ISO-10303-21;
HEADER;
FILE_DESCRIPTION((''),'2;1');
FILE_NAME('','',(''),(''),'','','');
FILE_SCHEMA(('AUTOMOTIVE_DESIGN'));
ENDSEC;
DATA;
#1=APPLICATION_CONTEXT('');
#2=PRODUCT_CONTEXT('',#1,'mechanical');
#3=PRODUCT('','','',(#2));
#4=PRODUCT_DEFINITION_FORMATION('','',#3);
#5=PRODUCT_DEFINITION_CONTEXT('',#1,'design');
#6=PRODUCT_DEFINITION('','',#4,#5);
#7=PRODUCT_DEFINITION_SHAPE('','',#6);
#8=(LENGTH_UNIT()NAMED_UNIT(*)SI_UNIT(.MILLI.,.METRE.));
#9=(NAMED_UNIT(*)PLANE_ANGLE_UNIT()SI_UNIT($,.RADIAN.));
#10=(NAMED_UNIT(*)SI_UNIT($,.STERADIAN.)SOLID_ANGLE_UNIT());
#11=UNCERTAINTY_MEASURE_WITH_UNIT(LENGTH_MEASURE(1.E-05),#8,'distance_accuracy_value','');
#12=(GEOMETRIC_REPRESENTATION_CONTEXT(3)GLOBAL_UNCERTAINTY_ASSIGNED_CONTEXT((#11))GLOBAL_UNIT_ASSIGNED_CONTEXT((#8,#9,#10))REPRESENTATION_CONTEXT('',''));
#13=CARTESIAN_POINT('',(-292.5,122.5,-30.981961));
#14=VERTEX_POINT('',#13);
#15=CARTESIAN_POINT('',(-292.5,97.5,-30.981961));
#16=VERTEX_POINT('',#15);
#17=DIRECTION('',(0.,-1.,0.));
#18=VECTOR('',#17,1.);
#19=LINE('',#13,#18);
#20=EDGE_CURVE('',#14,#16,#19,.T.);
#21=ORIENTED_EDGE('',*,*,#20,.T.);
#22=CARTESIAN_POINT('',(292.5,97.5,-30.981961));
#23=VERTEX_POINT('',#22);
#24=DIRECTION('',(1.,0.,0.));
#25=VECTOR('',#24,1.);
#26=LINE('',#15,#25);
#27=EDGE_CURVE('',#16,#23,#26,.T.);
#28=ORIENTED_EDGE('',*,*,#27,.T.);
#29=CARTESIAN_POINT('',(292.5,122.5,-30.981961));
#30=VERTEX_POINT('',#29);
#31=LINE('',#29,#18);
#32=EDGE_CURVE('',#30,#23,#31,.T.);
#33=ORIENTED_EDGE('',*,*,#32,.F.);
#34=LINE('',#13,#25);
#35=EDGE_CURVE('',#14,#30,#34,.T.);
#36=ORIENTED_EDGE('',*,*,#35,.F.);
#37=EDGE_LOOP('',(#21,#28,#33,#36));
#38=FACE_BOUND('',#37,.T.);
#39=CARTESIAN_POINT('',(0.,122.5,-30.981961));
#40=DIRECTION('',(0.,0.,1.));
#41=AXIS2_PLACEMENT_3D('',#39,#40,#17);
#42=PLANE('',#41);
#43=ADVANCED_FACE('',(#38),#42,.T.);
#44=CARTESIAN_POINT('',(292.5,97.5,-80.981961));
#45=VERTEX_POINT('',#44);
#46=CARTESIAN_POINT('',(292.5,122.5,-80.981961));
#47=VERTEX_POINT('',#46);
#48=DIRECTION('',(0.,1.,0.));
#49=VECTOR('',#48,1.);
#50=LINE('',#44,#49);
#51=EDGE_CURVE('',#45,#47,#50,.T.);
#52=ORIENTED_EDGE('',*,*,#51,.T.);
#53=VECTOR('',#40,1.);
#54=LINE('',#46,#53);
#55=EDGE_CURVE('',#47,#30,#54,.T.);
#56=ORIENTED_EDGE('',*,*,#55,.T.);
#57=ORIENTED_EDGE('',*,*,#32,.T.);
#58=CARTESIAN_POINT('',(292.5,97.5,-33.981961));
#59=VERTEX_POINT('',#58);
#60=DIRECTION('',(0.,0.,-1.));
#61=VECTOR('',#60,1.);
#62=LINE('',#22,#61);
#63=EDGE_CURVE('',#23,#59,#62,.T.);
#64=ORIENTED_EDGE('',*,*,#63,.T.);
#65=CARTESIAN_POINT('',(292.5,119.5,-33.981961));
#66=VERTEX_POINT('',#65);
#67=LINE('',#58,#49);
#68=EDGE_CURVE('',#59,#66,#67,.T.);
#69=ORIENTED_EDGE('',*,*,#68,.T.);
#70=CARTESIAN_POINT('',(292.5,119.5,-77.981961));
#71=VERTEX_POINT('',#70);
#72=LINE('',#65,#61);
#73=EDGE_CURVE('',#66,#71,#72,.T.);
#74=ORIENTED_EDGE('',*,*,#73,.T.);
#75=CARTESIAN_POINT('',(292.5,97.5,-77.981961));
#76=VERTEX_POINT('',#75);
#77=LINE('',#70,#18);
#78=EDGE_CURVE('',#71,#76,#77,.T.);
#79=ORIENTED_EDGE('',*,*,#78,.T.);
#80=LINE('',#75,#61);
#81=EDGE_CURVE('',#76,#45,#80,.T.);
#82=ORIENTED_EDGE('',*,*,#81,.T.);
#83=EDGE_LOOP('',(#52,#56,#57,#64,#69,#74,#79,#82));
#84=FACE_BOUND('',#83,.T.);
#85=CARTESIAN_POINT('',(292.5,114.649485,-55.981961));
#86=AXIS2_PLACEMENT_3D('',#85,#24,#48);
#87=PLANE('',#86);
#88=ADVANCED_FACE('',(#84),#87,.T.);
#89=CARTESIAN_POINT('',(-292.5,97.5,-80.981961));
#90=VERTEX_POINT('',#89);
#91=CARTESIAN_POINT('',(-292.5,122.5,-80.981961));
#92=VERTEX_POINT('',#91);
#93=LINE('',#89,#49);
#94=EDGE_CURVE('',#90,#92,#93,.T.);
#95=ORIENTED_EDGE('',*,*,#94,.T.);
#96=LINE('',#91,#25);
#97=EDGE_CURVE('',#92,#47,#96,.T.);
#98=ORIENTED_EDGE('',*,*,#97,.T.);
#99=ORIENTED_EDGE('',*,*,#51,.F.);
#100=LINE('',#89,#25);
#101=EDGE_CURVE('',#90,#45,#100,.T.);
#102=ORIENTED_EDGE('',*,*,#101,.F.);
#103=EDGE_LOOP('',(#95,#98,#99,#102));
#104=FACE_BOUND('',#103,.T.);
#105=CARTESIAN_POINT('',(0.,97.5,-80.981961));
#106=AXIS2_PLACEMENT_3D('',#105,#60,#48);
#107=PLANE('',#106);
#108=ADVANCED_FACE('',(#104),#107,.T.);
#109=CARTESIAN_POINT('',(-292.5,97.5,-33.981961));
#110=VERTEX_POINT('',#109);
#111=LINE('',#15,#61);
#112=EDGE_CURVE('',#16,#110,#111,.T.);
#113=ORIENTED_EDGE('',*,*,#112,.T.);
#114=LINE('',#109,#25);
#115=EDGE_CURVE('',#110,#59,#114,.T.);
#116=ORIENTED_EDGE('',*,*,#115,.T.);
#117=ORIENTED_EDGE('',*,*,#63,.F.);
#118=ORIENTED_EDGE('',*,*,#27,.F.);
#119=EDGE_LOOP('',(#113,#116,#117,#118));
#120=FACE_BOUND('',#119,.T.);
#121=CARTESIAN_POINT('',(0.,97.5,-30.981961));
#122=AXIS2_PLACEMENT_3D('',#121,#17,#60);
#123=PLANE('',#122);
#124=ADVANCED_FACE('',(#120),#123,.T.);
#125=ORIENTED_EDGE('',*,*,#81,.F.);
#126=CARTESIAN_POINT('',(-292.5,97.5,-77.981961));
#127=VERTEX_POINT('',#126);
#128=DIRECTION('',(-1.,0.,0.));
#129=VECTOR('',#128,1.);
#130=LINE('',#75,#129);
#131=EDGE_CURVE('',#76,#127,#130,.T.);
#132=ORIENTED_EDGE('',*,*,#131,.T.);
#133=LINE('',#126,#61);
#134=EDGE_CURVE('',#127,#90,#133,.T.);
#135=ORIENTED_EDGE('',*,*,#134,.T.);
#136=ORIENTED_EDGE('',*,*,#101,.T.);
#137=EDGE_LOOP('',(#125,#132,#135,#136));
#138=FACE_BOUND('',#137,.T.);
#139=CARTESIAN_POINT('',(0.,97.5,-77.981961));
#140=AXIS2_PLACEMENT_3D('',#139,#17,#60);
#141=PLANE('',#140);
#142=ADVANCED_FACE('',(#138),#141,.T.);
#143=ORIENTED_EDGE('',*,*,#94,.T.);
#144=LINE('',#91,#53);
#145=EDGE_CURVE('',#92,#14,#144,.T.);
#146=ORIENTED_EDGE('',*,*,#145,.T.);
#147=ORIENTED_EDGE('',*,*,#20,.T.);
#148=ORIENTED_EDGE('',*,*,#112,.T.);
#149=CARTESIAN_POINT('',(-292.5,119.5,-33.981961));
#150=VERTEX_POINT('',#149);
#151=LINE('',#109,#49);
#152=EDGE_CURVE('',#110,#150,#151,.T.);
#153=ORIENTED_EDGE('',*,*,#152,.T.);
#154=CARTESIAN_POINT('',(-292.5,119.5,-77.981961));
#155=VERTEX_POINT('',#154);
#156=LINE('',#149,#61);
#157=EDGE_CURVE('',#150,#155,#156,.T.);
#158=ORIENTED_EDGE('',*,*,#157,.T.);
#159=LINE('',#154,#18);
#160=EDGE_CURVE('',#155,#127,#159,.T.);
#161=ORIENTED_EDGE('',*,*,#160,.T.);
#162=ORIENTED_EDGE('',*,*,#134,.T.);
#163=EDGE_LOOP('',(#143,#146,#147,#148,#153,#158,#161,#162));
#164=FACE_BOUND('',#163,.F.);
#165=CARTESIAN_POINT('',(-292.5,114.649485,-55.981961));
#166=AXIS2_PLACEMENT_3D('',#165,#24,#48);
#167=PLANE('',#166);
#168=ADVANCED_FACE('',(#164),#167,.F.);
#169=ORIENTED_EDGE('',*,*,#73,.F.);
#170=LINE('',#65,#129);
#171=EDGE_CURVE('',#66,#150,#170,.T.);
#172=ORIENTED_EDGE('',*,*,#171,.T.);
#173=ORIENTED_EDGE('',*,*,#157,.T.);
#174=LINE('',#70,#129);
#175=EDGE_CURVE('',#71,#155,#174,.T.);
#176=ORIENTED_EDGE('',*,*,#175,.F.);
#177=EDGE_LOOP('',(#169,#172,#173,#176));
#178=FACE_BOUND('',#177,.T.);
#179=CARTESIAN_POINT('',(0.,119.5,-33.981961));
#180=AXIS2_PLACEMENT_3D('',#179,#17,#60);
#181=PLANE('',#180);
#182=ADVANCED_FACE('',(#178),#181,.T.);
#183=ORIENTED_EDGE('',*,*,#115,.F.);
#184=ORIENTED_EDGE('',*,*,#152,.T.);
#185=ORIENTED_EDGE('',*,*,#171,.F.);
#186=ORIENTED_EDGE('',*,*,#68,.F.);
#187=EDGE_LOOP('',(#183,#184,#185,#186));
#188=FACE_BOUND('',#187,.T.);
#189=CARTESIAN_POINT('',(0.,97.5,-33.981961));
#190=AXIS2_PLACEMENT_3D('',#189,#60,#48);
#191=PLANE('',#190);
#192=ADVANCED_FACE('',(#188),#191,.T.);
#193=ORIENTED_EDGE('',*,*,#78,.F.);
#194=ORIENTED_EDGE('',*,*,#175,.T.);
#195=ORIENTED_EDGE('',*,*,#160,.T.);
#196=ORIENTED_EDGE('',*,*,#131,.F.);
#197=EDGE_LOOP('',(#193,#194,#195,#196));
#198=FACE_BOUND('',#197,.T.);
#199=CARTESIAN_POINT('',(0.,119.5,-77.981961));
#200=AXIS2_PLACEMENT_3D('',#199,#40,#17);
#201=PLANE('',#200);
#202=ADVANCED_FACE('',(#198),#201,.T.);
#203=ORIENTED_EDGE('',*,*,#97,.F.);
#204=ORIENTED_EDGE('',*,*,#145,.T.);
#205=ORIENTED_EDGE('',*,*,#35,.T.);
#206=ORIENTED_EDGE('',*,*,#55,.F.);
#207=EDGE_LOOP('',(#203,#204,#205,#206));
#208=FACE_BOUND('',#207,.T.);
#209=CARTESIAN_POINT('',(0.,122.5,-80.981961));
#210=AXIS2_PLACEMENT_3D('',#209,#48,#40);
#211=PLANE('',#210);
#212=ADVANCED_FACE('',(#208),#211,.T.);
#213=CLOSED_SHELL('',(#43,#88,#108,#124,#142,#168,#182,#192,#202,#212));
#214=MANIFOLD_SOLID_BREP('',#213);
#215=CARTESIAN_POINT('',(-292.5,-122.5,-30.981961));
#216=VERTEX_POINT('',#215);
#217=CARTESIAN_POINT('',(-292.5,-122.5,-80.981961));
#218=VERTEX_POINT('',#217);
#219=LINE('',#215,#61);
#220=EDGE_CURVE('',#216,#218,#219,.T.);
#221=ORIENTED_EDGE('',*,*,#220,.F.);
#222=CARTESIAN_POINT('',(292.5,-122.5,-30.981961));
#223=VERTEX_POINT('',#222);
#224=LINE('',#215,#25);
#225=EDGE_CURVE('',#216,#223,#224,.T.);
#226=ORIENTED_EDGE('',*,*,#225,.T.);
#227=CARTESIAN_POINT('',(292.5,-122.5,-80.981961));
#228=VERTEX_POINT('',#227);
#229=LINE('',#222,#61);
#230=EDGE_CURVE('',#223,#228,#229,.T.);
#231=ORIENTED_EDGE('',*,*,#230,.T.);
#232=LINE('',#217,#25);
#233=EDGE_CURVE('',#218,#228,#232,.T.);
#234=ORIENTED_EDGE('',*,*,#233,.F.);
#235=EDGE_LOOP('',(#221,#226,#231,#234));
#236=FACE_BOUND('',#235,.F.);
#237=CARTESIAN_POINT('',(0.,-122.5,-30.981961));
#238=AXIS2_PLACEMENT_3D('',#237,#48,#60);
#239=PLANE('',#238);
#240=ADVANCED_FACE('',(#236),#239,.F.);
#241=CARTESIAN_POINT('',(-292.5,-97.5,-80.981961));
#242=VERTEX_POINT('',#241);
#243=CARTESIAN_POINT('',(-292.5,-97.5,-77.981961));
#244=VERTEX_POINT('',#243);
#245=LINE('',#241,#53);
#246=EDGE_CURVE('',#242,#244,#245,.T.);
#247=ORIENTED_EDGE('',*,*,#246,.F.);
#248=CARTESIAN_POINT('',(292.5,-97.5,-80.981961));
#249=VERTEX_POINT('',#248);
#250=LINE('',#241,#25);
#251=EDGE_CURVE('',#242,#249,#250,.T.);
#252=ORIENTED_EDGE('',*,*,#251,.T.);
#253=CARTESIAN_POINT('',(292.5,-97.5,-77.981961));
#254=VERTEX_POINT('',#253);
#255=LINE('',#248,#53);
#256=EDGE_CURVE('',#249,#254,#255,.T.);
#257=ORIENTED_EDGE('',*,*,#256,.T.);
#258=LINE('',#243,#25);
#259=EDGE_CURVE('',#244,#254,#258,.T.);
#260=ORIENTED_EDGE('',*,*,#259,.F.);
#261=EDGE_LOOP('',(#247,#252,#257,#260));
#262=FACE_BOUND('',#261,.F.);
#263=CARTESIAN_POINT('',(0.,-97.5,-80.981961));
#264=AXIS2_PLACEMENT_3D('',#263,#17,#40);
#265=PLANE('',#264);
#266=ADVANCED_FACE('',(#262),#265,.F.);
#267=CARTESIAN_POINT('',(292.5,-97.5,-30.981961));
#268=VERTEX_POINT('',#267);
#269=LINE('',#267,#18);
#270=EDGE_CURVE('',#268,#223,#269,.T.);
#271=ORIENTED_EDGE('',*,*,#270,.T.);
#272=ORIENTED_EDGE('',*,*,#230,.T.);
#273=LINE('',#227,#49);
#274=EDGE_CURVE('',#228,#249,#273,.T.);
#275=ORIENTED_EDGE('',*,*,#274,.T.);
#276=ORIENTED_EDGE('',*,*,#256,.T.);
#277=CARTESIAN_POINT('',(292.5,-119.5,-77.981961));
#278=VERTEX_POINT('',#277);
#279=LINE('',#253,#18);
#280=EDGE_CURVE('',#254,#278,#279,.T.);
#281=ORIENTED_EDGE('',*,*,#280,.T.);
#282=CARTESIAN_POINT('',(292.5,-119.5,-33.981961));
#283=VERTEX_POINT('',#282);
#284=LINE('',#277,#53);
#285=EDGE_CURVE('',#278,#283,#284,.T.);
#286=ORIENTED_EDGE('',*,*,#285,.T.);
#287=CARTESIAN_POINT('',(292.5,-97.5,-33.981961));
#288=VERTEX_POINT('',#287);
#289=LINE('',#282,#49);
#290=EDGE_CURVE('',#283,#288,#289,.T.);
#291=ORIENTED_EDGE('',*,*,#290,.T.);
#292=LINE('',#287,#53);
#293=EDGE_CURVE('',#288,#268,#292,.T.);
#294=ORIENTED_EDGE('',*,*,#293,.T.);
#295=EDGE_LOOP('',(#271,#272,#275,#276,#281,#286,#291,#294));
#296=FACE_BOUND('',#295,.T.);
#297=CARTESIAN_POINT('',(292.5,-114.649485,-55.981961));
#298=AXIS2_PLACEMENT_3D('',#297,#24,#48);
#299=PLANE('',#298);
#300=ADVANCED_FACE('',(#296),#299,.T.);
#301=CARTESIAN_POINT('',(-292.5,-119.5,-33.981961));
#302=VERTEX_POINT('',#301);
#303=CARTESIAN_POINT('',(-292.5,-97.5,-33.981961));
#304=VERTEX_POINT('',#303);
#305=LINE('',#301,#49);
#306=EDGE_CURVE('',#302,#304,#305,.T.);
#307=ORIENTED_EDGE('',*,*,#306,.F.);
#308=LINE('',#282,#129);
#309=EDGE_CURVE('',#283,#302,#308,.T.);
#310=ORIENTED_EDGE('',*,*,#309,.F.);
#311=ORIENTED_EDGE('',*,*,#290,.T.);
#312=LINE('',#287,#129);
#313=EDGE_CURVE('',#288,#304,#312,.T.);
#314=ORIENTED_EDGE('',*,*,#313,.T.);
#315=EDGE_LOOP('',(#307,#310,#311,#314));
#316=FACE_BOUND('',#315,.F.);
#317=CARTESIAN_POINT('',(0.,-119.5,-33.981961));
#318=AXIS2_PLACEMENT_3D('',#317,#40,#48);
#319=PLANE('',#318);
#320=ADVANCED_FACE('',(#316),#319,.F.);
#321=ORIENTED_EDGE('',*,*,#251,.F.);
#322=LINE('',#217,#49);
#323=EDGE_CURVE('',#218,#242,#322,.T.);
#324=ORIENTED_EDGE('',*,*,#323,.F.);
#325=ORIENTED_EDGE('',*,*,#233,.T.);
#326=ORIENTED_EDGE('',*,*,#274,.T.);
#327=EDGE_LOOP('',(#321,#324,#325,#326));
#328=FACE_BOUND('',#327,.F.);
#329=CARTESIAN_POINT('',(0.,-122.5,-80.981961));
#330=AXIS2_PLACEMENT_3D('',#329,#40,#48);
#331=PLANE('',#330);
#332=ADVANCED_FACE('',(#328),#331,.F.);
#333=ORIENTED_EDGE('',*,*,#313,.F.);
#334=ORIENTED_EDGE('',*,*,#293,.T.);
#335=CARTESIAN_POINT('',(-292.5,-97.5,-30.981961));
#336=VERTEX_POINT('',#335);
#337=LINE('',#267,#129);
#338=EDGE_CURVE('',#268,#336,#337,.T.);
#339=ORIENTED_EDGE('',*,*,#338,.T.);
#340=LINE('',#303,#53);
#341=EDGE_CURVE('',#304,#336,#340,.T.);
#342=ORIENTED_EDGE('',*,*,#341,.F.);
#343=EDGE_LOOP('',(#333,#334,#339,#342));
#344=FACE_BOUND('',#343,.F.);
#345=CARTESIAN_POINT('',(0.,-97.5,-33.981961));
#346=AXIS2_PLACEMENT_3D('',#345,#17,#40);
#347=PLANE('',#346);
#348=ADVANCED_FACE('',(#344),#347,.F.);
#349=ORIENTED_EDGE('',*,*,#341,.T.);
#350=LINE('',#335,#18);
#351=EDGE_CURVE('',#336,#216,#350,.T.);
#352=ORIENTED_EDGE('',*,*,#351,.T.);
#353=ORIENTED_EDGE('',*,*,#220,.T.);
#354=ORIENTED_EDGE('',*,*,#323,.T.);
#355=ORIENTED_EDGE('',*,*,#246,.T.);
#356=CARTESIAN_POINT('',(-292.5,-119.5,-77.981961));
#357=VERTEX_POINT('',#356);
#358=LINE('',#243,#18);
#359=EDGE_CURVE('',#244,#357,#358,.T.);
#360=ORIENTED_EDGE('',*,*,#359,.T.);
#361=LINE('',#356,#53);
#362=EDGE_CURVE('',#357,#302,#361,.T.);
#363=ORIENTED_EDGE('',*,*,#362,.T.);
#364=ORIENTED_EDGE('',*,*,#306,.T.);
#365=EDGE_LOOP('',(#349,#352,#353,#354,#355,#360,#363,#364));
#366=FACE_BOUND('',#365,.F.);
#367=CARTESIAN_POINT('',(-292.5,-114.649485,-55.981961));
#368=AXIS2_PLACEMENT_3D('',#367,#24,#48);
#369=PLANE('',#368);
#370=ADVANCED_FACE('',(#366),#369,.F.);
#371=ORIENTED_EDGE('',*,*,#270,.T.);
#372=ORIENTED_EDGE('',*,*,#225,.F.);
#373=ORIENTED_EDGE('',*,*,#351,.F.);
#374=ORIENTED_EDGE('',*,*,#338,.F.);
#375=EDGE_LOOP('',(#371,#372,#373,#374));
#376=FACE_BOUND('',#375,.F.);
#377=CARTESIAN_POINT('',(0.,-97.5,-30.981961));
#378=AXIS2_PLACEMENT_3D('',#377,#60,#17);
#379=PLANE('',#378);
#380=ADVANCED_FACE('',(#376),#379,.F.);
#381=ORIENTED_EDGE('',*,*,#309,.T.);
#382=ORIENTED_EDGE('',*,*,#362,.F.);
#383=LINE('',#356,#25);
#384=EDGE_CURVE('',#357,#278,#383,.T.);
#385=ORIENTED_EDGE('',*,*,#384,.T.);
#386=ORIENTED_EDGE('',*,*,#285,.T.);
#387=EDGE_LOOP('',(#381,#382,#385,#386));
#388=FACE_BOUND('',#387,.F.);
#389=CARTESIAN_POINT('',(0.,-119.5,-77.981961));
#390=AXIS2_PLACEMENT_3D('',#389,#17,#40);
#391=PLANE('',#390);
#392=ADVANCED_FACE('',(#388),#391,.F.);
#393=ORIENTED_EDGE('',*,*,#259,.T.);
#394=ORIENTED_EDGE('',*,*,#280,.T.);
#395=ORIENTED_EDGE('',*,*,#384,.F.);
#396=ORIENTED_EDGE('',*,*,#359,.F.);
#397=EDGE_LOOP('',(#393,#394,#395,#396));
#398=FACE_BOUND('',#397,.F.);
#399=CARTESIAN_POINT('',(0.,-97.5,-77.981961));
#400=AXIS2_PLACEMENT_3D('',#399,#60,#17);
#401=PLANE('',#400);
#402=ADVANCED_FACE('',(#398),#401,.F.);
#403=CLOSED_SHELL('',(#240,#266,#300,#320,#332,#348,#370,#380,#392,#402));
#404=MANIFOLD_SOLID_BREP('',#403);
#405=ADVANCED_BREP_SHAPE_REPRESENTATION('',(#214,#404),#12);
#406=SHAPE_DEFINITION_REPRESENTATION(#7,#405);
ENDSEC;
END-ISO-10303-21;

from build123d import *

# Parameters (mm, degrees)
F1_DEPTH = 292.5


with BuildPart() as f1:
    # F0 (on Right) → F1 (new body, symmetric)
    with BuildSketch(Plane.YZ):
        Polygon((-97.5, -30.981961), (-122.5, -30.981961), (-122.5, -80.981961), (-97.5, -80.981961), (-97.5, -77.981961), (-119.5, -77.981961), (-119.5, -33.981961), (-97.5, -33.981961), align=None)
        Polygon((97.5, -77.981961), (97.5, -80.981961), (122.5, -80.981961), (122.5, -30.981961), (97.5, -30.981961), (97.5, -33.981961), (119.5, -33.981961), (119.5, -77.981961), align=None)
    extrude(amount=F1_DEPTH, both=True)


solid = f1.part
